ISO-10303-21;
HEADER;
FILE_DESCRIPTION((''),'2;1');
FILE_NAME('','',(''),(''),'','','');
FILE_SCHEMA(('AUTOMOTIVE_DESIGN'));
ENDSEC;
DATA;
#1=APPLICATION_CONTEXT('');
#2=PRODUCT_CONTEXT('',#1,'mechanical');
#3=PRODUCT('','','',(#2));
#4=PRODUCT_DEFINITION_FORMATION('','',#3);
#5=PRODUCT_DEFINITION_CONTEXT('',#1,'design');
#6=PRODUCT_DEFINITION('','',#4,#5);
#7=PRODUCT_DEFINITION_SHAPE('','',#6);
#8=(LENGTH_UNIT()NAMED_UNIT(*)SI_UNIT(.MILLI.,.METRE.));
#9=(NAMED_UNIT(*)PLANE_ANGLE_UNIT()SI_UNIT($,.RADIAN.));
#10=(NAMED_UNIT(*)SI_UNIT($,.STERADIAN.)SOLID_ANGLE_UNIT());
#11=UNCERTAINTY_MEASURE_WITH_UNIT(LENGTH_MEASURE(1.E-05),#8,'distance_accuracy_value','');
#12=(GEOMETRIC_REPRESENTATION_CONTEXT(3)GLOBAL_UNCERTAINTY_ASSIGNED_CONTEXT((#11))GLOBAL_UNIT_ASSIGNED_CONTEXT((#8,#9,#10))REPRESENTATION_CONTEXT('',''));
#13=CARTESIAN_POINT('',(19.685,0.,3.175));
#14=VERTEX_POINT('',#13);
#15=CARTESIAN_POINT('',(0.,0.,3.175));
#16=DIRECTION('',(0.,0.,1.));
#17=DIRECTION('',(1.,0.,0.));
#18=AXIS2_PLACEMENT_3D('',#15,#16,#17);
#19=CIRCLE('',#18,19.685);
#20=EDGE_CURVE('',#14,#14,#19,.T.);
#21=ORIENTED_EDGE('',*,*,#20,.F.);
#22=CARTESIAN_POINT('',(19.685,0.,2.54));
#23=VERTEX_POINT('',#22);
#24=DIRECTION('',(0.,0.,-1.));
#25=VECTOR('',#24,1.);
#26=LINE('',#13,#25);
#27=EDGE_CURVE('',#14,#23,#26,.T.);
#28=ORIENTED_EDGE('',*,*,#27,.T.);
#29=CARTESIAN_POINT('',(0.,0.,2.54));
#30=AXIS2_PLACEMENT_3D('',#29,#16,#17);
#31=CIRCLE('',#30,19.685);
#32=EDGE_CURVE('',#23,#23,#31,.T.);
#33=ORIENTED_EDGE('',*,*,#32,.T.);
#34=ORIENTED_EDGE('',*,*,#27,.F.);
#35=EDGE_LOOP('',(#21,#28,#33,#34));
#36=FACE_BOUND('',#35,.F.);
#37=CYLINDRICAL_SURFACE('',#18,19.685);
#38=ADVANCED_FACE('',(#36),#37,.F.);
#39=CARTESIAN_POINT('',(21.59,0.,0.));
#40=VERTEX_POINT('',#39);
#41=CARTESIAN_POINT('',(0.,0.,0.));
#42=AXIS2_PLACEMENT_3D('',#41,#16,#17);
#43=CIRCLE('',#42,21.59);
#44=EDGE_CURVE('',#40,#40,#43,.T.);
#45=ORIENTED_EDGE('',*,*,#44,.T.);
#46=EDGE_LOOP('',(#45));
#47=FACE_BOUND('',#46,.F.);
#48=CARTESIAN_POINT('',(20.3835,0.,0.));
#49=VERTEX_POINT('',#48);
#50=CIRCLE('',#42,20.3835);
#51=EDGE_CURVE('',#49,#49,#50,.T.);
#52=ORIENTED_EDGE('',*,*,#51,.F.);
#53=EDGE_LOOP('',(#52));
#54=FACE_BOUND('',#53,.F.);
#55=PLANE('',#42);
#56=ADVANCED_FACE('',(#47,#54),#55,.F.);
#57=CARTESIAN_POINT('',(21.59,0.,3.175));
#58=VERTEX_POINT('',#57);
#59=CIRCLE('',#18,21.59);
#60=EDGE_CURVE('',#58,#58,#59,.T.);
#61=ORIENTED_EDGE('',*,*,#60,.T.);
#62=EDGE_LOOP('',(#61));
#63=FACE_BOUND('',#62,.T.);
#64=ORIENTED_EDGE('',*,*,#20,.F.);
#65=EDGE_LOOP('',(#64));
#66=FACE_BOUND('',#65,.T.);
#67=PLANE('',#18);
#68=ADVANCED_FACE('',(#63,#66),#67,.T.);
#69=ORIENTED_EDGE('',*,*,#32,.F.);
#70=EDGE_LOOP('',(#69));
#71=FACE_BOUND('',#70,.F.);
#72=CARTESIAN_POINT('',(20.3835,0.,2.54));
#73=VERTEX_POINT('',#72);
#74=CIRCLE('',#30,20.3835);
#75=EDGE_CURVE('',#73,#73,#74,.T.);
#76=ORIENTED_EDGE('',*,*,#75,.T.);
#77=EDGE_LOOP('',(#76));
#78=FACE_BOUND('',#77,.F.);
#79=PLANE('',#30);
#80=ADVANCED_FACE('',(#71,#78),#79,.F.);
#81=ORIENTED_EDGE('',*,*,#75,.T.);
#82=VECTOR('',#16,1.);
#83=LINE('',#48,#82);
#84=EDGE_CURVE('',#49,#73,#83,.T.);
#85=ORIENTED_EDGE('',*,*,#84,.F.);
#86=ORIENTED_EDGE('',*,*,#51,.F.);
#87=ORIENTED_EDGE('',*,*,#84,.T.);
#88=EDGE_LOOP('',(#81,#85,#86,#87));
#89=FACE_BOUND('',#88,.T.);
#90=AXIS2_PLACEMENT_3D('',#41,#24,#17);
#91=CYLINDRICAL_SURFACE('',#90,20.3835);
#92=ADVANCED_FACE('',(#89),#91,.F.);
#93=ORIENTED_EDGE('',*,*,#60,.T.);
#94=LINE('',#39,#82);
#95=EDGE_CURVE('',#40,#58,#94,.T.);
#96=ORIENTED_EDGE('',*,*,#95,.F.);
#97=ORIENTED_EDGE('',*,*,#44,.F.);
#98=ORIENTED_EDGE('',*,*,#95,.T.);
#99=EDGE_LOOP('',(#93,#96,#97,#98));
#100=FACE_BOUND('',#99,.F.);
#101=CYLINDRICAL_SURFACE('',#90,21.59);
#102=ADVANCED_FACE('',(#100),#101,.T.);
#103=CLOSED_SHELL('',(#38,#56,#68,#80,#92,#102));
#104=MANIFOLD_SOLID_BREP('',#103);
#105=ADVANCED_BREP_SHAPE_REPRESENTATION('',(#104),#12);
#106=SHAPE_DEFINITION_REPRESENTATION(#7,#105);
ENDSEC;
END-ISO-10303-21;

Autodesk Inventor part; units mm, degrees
ref_plane "YZ Plane" through (0, 0, 0) normal (1, 0, 0) x (0, 1, 0)
ref_plane "XZ Plane" through (0, 0, 0) normal (0, 1, 0) x (-1, 0, 0)
ref_plane "XY Plane" through (0, 0, 0) normal (0, 0, 1) x (1, 0, 0)
sketch "Sketch1" plane through (0, 0, 0) normal (0, 0, 1) x (1, 0, 0)
  circle A0 centre (0, 0) radius 20.3835
  circle A1 centre (0, 0) radius 21.59
  dimension "d0" = 40.767
  dimension "d1" = 43.18
extrude "Extrusion1" add sketch "Sketch1" along normal blind 3.175
sketch "Sketch2" plane through (0, 0, 3.175) normal (0, 0, 1) x (1, 0, 0)
  circle A0 centre (0, 0) radius 20.3835
  circle A1 centre (0, 0) radius 20.3835 projected
  circle A2 centre (0, 0) radius 19.685
  dimension "d4" = 39.37
extrude "Extrusion2" add sketch "Sketch2" against normal blind 0.635
properties part number "Diaphragm_Ring"
